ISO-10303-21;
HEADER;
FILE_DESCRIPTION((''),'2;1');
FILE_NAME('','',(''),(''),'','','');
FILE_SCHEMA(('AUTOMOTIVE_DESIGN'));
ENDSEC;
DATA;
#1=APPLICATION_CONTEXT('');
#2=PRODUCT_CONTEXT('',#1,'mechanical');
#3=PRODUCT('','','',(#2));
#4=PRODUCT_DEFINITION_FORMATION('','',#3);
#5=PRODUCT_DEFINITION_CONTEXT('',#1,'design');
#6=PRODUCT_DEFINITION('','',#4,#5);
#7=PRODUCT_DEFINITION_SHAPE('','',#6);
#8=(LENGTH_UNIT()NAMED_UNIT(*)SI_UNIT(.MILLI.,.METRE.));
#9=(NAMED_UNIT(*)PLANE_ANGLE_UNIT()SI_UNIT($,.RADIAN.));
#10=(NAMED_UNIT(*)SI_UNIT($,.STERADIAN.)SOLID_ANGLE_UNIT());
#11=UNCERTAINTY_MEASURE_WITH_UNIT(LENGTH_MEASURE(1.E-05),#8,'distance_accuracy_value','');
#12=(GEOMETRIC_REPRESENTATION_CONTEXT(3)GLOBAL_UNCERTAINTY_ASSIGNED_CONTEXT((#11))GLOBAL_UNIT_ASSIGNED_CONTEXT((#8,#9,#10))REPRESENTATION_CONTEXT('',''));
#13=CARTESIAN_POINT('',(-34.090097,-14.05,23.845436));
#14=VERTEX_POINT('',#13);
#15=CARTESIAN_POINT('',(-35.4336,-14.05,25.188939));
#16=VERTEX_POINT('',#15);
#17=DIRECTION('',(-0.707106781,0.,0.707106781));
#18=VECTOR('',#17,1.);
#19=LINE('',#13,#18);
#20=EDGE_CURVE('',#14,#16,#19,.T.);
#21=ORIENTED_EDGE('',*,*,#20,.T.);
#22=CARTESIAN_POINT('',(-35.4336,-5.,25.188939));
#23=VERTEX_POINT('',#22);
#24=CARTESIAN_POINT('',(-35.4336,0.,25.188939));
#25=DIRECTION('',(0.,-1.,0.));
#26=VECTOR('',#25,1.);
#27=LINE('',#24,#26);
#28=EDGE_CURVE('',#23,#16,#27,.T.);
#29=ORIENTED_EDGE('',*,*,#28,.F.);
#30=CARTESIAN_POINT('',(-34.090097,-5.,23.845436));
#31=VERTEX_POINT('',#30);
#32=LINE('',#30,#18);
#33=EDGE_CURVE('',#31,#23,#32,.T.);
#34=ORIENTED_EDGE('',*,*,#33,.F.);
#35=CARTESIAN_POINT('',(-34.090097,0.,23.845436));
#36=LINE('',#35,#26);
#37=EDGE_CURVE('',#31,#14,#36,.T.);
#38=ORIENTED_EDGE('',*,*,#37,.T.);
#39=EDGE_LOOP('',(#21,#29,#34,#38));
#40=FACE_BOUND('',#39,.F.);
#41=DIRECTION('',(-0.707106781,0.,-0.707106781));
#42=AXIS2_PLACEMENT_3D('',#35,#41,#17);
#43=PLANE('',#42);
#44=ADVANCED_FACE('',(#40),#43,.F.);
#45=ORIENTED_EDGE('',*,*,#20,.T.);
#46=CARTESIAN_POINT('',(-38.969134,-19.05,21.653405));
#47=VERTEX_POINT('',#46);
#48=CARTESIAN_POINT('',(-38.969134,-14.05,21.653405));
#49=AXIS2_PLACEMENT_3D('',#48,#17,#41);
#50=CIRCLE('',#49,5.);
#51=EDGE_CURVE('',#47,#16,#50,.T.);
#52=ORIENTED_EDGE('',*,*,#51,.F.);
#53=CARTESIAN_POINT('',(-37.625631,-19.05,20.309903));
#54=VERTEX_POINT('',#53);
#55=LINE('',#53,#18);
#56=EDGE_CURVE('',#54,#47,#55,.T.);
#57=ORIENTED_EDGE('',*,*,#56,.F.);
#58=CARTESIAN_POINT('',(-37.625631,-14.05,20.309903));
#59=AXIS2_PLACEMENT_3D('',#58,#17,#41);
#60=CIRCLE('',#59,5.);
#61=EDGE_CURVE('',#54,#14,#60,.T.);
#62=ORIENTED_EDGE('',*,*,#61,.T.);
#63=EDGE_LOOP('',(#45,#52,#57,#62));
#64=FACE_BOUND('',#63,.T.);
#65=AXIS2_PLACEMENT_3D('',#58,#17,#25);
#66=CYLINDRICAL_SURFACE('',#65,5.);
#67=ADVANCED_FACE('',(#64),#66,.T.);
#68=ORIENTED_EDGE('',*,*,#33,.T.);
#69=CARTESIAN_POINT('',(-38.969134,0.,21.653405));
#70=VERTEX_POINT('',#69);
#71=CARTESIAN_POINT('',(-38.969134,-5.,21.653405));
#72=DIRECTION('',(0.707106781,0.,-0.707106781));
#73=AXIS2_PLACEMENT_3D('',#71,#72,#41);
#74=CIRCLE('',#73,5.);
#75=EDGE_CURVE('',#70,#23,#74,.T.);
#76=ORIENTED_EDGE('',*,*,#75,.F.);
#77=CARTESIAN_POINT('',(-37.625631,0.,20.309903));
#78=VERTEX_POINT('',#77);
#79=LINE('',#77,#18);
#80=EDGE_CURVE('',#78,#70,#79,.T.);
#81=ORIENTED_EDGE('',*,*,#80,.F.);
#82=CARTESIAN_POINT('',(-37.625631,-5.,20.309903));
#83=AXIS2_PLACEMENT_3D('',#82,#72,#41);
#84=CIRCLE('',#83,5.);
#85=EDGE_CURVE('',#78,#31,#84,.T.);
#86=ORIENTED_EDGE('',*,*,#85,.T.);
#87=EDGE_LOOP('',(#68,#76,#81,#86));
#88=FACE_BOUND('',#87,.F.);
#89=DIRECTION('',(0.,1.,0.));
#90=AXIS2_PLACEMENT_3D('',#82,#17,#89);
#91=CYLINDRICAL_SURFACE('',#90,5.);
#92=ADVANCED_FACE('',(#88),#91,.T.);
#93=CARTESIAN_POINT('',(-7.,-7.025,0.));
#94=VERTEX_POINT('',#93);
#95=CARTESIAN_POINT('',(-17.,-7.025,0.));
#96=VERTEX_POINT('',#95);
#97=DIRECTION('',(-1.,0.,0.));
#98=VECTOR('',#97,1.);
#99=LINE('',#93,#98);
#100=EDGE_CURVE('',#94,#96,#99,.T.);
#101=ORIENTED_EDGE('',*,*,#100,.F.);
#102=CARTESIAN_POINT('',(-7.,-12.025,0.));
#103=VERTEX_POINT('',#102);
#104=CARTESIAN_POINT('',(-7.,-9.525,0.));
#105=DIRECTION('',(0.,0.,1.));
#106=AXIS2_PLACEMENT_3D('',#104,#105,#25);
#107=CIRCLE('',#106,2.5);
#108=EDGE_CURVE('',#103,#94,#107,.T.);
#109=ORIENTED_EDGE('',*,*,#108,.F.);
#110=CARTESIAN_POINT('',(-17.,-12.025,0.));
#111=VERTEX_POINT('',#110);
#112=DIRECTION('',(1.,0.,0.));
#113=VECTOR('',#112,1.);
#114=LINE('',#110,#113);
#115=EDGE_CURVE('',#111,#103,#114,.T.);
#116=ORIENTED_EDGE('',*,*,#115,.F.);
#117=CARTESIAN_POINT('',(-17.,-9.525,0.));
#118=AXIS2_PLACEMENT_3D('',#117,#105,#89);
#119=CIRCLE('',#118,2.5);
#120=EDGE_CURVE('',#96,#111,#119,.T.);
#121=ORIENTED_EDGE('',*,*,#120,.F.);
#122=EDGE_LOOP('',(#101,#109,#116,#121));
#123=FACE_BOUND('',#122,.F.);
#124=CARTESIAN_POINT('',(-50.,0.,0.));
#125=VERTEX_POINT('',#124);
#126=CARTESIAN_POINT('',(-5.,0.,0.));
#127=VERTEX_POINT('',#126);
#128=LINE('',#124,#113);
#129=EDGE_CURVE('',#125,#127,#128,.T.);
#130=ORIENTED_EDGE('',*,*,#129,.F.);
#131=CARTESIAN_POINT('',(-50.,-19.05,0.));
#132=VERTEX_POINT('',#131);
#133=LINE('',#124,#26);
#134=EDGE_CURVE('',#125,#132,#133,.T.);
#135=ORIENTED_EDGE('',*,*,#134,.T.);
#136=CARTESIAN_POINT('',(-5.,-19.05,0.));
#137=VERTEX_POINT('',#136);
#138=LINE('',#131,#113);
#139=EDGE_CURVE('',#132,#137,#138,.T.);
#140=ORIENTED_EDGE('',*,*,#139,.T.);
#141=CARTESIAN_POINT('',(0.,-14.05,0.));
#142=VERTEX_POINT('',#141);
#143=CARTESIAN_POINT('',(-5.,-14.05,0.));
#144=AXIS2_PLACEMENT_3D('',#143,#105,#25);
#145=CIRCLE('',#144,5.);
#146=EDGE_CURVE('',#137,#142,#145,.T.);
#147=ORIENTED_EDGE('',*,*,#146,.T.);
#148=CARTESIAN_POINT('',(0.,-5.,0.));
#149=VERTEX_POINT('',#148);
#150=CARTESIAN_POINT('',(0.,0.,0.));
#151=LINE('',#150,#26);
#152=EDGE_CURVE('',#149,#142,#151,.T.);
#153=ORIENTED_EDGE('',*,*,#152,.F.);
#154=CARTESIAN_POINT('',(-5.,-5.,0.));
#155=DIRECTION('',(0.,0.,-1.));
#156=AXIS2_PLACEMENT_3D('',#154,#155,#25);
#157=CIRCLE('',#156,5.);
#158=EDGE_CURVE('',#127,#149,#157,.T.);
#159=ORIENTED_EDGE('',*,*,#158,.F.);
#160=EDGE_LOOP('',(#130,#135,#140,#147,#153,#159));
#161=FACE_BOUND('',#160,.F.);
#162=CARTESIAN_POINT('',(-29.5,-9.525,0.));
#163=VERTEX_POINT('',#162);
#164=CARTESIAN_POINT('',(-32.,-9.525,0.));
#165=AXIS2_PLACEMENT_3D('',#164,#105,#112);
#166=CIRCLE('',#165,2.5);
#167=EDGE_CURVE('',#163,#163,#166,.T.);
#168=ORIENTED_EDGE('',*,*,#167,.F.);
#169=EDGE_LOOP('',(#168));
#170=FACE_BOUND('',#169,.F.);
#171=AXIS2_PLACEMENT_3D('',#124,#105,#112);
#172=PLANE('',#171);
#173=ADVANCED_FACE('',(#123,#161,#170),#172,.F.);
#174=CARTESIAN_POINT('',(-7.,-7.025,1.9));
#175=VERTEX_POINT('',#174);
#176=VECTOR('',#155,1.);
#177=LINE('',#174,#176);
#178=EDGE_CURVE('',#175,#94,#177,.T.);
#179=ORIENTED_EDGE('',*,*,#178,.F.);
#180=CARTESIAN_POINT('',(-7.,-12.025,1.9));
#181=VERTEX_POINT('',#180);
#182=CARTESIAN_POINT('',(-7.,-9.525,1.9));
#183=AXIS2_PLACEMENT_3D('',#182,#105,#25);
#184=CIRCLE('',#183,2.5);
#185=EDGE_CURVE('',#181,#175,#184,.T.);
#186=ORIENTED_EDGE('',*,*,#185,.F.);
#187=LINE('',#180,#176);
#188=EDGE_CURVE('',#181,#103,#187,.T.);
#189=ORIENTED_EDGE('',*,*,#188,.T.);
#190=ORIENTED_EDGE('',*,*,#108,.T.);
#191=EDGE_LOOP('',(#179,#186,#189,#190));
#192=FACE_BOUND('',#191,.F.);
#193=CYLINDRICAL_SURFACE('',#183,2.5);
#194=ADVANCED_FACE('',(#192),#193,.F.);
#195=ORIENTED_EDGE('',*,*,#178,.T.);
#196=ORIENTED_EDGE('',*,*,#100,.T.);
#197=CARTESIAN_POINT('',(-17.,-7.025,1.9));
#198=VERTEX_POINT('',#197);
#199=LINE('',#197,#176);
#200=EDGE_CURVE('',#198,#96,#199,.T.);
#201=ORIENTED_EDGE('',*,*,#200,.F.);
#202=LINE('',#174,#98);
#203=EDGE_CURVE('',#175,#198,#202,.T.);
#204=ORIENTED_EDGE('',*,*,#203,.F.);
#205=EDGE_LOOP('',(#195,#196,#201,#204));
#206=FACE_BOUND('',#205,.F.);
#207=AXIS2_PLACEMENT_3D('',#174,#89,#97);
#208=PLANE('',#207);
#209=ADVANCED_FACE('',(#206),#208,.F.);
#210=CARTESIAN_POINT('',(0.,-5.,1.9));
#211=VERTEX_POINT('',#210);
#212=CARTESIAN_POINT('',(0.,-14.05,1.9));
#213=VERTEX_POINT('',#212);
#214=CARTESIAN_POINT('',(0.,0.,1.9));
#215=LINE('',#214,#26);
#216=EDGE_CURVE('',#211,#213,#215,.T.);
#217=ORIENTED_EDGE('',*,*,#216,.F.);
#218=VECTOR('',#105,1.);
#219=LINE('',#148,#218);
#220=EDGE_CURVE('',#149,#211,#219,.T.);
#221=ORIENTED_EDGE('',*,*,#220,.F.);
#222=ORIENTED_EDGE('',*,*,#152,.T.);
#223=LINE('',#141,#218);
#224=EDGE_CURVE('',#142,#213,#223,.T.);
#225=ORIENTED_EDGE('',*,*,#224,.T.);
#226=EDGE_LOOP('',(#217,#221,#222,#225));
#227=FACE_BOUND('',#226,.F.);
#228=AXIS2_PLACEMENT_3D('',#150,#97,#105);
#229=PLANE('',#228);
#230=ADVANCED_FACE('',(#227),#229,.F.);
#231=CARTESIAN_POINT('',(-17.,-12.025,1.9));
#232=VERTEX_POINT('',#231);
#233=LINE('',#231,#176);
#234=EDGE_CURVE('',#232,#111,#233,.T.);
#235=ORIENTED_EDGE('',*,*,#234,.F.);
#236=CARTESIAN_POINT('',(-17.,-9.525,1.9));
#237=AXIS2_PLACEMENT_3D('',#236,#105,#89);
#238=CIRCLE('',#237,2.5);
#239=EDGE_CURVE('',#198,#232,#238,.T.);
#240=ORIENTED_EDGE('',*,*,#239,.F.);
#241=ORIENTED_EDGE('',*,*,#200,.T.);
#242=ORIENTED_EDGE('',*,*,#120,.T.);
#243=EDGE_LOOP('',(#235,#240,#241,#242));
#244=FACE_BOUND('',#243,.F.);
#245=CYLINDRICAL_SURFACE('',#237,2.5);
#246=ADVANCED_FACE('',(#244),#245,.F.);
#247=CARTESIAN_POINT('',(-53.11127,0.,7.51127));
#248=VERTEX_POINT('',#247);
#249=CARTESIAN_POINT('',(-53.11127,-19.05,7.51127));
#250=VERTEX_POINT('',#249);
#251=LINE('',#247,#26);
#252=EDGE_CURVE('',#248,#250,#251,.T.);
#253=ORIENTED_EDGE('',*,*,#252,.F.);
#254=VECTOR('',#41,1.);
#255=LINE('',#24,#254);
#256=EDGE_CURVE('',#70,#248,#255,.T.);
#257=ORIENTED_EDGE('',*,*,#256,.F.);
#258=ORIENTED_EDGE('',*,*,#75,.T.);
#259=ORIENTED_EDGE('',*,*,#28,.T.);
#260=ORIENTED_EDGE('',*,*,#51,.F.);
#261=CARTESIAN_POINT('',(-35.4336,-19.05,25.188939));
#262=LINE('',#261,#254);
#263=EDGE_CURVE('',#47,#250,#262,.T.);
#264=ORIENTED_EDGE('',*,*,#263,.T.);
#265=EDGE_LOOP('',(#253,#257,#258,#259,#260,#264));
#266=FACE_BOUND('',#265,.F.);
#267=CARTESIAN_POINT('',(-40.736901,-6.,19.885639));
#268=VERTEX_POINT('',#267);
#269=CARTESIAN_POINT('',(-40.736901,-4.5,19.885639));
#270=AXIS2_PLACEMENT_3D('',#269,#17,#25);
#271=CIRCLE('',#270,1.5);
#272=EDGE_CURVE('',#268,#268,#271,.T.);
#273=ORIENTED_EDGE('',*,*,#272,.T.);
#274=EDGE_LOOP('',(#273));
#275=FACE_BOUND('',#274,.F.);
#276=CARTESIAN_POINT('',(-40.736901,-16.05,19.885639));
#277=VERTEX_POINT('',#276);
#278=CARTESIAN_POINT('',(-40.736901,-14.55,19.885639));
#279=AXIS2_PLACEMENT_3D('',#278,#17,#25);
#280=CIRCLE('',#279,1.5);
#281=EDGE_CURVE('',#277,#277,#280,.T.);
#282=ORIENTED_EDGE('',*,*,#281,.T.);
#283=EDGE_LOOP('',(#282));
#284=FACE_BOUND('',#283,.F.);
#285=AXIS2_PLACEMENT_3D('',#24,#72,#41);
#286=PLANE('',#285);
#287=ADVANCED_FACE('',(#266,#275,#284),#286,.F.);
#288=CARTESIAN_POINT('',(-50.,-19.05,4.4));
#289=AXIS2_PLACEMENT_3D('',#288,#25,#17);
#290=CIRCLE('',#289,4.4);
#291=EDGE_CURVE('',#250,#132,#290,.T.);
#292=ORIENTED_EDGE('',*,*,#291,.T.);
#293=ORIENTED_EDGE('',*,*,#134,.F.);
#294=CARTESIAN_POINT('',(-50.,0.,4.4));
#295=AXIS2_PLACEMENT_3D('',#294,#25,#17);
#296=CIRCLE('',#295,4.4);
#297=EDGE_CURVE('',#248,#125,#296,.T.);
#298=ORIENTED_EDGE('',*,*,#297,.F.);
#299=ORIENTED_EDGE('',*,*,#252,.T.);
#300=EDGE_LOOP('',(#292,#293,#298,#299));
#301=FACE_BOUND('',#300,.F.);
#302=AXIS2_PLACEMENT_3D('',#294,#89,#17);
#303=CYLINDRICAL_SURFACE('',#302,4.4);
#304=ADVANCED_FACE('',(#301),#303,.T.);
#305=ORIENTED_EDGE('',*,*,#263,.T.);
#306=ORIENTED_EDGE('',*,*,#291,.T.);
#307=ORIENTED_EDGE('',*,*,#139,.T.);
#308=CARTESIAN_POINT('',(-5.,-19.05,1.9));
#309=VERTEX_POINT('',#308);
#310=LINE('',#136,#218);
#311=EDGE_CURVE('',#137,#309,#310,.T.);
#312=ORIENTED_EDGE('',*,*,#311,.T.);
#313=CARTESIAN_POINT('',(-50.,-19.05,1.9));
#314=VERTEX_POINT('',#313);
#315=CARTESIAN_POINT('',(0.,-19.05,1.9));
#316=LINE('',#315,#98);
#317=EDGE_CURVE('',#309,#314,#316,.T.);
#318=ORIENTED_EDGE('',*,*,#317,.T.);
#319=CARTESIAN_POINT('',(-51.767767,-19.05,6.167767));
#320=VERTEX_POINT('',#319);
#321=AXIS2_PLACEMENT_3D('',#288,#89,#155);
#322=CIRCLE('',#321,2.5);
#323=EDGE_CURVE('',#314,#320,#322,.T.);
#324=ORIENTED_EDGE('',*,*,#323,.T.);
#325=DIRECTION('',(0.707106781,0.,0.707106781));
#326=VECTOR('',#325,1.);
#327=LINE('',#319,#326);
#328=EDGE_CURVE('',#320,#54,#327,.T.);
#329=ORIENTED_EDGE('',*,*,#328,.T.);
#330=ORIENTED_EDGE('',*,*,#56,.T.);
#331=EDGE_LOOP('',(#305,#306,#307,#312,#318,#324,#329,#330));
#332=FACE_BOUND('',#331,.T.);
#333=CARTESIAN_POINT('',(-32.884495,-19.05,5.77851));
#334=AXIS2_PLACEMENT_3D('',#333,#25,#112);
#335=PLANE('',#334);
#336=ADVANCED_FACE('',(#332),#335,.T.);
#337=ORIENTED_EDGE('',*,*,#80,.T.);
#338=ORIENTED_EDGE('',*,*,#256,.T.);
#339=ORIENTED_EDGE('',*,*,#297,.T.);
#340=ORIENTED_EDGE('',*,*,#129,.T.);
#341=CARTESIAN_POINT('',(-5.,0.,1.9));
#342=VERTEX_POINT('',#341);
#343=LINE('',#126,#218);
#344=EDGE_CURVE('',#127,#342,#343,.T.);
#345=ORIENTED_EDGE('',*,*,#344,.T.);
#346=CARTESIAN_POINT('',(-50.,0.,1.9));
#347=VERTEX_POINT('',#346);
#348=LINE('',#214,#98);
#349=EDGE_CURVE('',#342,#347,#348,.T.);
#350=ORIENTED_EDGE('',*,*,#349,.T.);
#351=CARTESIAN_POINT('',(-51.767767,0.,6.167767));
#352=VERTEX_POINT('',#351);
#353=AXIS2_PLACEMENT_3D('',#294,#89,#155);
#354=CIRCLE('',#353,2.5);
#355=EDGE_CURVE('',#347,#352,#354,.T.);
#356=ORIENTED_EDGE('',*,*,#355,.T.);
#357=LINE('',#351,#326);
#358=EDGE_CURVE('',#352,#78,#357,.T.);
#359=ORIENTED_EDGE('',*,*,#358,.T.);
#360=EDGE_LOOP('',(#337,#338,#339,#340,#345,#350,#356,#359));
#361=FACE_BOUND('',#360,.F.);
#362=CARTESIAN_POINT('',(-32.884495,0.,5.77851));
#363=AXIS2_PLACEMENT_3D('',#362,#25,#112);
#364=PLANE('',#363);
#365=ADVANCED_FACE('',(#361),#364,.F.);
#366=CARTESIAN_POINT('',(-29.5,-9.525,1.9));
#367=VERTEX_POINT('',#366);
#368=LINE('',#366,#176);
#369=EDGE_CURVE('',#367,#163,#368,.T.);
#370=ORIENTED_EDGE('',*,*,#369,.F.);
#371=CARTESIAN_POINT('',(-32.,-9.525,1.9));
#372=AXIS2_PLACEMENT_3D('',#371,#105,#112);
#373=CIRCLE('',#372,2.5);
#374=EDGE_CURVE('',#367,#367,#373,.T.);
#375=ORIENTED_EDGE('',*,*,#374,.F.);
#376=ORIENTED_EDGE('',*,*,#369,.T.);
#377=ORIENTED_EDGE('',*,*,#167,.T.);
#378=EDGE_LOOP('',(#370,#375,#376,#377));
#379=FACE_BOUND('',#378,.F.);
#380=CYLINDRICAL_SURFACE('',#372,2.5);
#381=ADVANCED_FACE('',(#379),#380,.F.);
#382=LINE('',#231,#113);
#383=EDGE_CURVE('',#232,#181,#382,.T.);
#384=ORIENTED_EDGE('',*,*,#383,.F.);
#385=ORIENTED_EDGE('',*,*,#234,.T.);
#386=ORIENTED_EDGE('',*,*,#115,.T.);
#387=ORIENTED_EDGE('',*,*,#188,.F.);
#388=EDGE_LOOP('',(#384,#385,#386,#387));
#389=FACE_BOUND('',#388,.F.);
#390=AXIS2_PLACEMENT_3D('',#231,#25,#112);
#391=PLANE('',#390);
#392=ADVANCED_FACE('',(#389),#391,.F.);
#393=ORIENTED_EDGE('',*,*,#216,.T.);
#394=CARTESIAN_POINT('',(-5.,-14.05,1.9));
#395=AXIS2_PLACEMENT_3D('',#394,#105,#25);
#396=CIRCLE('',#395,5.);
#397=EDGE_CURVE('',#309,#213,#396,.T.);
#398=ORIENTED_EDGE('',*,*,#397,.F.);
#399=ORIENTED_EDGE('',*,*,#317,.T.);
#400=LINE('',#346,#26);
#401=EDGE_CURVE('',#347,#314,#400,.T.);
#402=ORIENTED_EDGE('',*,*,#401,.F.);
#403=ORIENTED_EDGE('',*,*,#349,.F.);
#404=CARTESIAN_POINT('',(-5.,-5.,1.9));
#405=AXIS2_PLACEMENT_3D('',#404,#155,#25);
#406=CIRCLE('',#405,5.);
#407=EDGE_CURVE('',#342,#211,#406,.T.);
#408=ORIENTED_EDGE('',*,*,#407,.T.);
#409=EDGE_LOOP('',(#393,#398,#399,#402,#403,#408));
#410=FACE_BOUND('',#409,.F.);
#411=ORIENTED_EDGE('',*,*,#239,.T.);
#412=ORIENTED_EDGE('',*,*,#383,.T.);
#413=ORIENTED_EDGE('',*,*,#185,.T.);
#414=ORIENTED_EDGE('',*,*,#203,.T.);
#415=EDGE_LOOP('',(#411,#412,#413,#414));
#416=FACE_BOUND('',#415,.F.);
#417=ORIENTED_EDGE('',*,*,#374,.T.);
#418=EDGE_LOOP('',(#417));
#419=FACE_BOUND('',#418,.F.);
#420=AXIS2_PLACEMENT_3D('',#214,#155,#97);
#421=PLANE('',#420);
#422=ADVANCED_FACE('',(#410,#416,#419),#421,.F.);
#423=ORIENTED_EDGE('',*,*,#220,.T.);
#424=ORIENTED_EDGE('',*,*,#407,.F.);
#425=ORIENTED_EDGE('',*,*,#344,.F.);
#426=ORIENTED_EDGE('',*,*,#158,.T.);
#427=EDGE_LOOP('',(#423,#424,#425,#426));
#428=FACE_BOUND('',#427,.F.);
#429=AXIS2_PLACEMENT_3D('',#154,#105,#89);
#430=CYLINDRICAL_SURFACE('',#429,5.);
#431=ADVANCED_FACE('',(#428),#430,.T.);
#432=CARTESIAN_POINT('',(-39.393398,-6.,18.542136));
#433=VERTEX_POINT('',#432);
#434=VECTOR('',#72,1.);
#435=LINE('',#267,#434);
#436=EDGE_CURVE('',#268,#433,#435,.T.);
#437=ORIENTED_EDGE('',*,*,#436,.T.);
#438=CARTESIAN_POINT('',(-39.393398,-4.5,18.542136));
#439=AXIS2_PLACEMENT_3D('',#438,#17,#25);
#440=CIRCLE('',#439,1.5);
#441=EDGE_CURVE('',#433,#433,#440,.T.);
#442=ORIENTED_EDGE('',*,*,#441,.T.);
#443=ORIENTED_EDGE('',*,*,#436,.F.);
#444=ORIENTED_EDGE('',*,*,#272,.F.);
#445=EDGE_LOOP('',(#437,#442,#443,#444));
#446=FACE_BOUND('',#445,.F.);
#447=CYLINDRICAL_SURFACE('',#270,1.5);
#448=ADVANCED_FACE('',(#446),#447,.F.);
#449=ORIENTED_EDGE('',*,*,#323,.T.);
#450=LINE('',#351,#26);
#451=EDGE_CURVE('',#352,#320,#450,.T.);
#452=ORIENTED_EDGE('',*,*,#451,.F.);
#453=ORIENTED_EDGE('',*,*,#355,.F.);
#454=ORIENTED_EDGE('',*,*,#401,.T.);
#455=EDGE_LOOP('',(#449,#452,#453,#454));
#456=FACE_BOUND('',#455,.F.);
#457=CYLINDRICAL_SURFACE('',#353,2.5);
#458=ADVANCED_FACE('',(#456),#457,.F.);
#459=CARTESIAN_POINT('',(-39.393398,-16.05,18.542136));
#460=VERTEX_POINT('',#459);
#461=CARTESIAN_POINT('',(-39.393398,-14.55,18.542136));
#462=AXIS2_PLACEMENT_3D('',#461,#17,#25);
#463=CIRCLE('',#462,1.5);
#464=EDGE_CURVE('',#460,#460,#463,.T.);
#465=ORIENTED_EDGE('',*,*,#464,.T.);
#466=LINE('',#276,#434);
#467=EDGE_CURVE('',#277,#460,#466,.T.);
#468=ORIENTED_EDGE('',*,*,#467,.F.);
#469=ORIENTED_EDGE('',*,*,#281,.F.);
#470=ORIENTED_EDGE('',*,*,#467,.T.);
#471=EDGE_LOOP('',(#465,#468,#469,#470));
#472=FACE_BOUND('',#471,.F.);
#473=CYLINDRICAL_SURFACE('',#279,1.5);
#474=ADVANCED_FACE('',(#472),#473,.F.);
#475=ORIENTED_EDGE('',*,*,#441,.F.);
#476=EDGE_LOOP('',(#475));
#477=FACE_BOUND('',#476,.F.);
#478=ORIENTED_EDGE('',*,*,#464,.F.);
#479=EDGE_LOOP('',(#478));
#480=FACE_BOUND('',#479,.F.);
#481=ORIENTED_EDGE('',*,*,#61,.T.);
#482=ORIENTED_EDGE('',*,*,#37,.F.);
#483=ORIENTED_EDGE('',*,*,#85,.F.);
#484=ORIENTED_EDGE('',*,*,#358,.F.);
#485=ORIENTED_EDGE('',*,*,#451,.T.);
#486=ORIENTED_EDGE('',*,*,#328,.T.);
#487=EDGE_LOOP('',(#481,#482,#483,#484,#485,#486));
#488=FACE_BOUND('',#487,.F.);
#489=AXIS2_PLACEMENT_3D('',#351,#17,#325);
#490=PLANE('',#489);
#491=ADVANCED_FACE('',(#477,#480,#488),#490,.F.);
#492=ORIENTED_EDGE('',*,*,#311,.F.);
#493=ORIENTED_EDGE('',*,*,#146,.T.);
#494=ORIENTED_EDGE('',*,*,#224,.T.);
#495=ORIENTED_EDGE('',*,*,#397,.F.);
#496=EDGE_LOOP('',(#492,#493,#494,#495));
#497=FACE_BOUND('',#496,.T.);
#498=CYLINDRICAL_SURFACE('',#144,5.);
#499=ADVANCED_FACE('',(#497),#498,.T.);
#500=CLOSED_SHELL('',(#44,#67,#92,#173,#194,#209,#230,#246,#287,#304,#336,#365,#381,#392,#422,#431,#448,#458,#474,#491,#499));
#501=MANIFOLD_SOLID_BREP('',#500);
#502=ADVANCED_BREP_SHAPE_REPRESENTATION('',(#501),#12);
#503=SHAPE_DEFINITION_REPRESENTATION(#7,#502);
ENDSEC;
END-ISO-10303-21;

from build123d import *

# Parameters (mm, degrees)
F1_DEPTH = 19.05
F2_R     = 2.5
F3_DEPTH = 1.9
F4_R     = 1.5
F5_DEPTH = 1.9
F6_R     = 5


with BuildPart() as f1:
    # F0 (on Front) → F1 (new body)
    with BuildSketch(Plane.XZ):
        with BuildLine():
            Line((-50, 0), (0, 0))
            Line((0, 0), (0, 1.9))
            Line((0, 1.9), (-50, 1.9))
            ThreePointArc((-50, 1.9), (-52.3096988313, 3.4432914191), (-51.767766953, 6.167766953))
            Line((-51.767766953, 6.167766953), (-34.0900974233, 23.8454364826))
            Line((-34.0900974233, 23.8454364826), (-35.4336003076, 25.1889393669))
            Line((-35.4336003076, 25.1889393669), (-53.1112698372, 7.5112698372))
            ThreePointArc((-53.1112698372, 7.5112698372), (-54.065069943, 2.7161928976), (-50, 0))
        make_face()
    extrude(amount=F1_DEPTH)

    # F2 (on face) → F3 (cut, through all)
    with BuildSketch(Plane.XY.offset(1.9)):
        with Locations((-32, -9.525)):
            Circle(F2_R)
        with BuildLine():
            Line((-17, -12.025), (-7, -12.025))
            ThreePointArc((-7, -12.025), (-4.5, -9.525), (-7, -7.025))
            Line((-7, -7.025), (-17, -7.025))
            ThreePointArc((-17, -7.025), (-19.5, -9.525), (-17, -12.025))
        make_face()
    extrude(amount=-F3_DEPTH, mode=Mode.SUBTRACT)

    # F4 (on face) → F5 (cut, through all)
    with BuildSketch(Plane(origin=(-30.3112698372, 0, 30.3112698372), x_dir=(0, -1, 0), z_dir=(-0.7071067812, 0, 0.7071067812))):
        with Locations((14.55, -14.7440692221)):
            Circle(F4_R)
        with Locations((4.5, -14.7440692221)):
            Circle(F4_R)
    extrude(amount=-F5_DEPTH, mode=Mode.SUBTRACT)

    # F6
    f6_edges = [f1.edges().sort_by_distance(p)[0] for p in [
        (-34.761849, 0, 24.517188),
        (-34.761849, -19.05, 24.517188),
        (0, 0, 0.95),
        (0, -19.05, 0.95),
    ]]
    fillet(f6_edges, radius=F6_R)


solid = f1.part
